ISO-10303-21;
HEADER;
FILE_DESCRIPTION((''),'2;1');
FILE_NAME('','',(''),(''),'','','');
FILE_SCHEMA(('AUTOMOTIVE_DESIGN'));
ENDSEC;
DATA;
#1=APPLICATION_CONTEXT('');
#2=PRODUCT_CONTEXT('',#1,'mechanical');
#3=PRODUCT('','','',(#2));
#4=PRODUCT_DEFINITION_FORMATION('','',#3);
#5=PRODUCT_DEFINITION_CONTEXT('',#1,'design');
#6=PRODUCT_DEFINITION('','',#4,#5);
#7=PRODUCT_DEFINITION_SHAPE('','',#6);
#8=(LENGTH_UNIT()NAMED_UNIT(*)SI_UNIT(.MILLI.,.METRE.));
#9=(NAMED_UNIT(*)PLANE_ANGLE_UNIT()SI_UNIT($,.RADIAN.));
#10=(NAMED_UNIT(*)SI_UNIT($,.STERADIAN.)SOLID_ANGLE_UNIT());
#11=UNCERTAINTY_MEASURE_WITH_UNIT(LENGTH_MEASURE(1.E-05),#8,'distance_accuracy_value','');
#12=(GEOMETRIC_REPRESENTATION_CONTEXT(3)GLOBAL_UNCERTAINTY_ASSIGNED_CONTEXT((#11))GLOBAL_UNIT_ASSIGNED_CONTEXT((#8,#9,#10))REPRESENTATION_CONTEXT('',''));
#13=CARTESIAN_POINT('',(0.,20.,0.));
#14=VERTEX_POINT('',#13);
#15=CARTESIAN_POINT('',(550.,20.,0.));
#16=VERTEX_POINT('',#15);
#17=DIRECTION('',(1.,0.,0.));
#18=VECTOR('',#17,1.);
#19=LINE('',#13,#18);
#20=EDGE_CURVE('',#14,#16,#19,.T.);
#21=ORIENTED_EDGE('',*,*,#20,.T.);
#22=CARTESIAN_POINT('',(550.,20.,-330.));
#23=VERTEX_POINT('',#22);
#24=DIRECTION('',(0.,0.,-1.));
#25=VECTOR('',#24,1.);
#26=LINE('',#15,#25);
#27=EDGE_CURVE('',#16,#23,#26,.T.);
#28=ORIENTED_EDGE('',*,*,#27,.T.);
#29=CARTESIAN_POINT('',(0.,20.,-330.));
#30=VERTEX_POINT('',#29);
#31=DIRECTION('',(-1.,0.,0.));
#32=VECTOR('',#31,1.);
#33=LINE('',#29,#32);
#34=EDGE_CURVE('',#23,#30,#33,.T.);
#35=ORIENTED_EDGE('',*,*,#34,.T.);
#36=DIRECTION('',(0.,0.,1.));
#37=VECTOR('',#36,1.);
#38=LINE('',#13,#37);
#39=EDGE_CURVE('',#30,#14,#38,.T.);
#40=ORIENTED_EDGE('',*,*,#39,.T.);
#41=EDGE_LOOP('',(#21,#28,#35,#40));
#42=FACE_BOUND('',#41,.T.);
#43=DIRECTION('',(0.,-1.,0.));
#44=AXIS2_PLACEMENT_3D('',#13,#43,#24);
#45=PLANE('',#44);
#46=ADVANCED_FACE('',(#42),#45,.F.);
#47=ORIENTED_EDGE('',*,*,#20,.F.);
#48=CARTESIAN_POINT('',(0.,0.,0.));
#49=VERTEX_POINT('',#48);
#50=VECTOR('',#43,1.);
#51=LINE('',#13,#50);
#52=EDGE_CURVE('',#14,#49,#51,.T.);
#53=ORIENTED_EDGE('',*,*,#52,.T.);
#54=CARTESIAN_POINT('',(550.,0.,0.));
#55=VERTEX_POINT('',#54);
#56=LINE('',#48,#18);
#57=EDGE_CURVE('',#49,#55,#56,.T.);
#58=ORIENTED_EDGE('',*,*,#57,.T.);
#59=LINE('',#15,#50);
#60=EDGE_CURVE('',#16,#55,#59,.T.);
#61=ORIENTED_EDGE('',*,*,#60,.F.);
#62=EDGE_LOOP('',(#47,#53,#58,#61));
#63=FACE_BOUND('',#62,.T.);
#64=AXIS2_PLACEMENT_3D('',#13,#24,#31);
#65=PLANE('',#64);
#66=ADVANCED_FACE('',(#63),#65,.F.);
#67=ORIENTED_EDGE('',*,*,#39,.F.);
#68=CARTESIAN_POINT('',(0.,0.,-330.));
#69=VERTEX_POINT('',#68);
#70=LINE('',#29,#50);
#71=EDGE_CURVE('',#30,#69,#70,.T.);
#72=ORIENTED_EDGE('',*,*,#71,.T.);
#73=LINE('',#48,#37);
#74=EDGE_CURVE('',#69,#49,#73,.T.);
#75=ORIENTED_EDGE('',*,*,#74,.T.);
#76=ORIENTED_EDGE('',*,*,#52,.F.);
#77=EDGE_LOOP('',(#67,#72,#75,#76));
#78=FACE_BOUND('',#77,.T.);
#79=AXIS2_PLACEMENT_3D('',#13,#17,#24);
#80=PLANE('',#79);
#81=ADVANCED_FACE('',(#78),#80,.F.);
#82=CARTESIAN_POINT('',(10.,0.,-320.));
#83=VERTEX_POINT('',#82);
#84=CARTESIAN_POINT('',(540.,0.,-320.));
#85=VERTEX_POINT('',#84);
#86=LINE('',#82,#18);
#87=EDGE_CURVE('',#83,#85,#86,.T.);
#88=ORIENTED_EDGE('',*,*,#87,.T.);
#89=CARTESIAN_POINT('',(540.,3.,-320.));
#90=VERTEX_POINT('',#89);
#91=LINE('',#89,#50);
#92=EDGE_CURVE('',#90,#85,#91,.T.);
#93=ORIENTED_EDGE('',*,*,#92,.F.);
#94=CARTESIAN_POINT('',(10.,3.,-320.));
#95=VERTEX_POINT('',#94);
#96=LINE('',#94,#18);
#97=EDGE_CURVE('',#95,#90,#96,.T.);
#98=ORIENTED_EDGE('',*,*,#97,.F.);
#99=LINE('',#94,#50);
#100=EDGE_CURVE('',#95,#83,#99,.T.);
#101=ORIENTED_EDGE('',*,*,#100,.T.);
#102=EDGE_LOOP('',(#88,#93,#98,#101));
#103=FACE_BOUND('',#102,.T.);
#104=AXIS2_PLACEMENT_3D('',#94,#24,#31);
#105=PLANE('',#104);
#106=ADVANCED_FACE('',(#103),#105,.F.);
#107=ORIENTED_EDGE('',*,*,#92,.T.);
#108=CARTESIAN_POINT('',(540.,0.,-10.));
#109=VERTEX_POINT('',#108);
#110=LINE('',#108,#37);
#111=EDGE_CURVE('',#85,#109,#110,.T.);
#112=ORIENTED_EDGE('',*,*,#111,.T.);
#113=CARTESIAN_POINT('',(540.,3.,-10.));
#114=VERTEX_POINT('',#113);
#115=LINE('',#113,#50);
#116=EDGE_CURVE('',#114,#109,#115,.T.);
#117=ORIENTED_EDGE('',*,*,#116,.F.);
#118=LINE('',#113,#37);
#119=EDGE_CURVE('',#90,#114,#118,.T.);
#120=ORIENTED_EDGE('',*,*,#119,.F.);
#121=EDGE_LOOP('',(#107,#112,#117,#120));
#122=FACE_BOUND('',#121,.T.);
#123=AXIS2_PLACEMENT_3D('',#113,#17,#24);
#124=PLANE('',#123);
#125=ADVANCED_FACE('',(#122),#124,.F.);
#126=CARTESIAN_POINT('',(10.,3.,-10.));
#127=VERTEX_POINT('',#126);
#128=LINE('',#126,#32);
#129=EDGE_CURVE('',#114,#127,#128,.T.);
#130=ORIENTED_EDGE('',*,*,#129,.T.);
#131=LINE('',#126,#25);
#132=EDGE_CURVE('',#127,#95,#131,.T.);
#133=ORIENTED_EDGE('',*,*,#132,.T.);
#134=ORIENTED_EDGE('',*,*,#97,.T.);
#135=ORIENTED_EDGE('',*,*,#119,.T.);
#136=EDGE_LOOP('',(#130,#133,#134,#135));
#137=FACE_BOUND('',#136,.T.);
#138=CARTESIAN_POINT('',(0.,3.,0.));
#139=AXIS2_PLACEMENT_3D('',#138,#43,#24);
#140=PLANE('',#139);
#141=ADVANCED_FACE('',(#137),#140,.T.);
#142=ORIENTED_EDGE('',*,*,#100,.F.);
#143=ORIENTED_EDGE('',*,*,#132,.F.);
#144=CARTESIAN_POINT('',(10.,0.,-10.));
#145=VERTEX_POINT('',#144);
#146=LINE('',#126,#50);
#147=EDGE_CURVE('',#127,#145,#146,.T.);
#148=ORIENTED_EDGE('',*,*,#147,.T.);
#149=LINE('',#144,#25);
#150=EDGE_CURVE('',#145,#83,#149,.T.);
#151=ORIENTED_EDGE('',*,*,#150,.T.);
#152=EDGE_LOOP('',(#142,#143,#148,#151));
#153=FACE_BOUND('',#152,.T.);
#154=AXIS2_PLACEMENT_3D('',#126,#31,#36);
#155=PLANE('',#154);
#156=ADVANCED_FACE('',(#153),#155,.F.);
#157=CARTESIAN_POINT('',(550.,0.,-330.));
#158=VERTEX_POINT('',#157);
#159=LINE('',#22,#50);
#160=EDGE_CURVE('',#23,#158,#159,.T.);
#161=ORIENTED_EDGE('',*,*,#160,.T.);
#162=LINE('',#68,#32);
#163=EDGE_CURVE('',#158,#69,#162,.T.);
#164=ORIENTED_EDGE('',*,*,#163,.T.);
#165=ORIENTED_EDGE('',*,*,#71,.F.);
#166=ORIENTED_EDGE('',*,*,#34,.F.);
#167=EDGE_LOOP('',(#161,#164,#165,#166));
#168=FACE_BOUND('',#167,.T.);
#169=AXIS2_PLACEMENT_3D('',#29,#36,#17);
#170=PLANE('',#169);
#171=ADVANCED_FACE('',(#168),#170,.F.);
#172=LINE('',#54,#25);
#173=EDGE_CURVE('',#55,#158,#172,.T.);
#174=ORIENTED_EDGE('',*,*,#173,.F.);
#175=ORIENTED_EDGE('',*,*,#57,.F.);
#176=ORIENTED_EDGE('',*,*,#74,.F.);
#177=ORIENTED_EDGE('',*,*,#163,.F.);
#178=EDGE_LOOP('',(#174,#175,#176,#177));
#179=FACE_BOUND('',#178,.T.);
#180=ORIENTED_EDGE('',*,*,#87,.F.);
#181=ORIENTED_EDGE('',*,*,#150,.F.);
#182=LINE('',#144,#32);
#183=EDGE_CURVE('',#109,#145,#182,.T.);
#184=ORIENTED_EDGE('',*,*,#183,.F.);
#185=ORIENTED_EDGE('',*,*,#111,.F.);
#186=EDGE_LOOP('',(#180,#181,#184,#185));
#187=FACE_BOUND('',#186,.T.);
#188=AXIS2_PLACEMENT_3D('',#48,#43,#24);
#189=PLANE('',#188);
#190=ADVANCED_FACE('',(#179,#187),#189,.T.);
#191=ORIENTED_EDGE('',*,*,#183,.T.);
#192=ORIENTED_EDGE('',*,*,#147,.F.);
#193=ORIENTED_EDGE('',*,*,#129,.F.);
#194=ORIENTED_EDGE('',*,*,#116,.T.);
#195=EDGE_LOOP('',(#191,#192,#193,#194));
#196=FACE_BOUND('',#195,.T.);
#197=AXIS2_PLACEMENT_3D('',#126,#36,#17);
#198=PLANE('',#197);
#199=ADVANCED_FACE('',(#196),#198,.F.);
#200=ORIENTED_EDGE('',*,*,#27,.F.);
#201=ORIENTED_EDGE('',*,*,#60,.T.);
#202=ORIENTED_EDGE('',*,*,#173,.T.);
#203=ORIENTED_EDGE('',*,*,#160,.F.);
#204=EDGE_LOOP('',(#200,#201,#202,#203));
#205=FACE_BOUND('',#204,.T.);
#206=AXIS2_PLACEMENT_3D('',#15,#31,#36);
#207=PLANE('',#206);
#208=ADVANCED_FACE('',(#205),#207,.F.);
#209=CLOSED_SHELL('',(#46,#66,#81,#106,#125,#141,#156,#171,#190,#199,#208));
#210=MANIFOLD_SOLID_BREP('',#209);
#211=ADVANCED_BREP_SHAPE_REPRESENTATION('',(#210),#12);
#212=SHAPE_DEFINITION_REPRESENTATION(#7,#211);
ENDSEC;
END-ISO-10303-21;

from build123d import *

# Parameters (mm, degrees)
SKETCH_1_W          = 550
SKETCH_1_H          = 330
EXTRUDE_1_DEPTH     = 20
SKETCH_2_W          = 530
SKETCH_2_H          = 310
CUT_EXTRUDE_1_DEPTH = 3


with BuildPart() as part:
    # Эскиз1 → Бобышка-Вытянуть1 (new body)
    with BuildSketch(Plane(origin=(0, 0, 0), x_dir=(1, 0, 0), z_dir=(0, 1, 0))):
        with Locations((275, 165)):
            Rectangle(SKETCH_1_W, SKETCH_1_H)
    extrude(amount=EXTRUDE_1_DEPTH)

    # Эскиз2 → Вырез-Вытянуть1 (cut)
    with BuildSketch(Plane.XZ):
        with Locations((275, -165)):
            Rectangle(SKETCH_2_W, SKETCH_2_H)
    extrude(amount=-CUT_EXTRUDE_1_DEPTH, mode=Mode.SUBTRACT)


solid = part.part
